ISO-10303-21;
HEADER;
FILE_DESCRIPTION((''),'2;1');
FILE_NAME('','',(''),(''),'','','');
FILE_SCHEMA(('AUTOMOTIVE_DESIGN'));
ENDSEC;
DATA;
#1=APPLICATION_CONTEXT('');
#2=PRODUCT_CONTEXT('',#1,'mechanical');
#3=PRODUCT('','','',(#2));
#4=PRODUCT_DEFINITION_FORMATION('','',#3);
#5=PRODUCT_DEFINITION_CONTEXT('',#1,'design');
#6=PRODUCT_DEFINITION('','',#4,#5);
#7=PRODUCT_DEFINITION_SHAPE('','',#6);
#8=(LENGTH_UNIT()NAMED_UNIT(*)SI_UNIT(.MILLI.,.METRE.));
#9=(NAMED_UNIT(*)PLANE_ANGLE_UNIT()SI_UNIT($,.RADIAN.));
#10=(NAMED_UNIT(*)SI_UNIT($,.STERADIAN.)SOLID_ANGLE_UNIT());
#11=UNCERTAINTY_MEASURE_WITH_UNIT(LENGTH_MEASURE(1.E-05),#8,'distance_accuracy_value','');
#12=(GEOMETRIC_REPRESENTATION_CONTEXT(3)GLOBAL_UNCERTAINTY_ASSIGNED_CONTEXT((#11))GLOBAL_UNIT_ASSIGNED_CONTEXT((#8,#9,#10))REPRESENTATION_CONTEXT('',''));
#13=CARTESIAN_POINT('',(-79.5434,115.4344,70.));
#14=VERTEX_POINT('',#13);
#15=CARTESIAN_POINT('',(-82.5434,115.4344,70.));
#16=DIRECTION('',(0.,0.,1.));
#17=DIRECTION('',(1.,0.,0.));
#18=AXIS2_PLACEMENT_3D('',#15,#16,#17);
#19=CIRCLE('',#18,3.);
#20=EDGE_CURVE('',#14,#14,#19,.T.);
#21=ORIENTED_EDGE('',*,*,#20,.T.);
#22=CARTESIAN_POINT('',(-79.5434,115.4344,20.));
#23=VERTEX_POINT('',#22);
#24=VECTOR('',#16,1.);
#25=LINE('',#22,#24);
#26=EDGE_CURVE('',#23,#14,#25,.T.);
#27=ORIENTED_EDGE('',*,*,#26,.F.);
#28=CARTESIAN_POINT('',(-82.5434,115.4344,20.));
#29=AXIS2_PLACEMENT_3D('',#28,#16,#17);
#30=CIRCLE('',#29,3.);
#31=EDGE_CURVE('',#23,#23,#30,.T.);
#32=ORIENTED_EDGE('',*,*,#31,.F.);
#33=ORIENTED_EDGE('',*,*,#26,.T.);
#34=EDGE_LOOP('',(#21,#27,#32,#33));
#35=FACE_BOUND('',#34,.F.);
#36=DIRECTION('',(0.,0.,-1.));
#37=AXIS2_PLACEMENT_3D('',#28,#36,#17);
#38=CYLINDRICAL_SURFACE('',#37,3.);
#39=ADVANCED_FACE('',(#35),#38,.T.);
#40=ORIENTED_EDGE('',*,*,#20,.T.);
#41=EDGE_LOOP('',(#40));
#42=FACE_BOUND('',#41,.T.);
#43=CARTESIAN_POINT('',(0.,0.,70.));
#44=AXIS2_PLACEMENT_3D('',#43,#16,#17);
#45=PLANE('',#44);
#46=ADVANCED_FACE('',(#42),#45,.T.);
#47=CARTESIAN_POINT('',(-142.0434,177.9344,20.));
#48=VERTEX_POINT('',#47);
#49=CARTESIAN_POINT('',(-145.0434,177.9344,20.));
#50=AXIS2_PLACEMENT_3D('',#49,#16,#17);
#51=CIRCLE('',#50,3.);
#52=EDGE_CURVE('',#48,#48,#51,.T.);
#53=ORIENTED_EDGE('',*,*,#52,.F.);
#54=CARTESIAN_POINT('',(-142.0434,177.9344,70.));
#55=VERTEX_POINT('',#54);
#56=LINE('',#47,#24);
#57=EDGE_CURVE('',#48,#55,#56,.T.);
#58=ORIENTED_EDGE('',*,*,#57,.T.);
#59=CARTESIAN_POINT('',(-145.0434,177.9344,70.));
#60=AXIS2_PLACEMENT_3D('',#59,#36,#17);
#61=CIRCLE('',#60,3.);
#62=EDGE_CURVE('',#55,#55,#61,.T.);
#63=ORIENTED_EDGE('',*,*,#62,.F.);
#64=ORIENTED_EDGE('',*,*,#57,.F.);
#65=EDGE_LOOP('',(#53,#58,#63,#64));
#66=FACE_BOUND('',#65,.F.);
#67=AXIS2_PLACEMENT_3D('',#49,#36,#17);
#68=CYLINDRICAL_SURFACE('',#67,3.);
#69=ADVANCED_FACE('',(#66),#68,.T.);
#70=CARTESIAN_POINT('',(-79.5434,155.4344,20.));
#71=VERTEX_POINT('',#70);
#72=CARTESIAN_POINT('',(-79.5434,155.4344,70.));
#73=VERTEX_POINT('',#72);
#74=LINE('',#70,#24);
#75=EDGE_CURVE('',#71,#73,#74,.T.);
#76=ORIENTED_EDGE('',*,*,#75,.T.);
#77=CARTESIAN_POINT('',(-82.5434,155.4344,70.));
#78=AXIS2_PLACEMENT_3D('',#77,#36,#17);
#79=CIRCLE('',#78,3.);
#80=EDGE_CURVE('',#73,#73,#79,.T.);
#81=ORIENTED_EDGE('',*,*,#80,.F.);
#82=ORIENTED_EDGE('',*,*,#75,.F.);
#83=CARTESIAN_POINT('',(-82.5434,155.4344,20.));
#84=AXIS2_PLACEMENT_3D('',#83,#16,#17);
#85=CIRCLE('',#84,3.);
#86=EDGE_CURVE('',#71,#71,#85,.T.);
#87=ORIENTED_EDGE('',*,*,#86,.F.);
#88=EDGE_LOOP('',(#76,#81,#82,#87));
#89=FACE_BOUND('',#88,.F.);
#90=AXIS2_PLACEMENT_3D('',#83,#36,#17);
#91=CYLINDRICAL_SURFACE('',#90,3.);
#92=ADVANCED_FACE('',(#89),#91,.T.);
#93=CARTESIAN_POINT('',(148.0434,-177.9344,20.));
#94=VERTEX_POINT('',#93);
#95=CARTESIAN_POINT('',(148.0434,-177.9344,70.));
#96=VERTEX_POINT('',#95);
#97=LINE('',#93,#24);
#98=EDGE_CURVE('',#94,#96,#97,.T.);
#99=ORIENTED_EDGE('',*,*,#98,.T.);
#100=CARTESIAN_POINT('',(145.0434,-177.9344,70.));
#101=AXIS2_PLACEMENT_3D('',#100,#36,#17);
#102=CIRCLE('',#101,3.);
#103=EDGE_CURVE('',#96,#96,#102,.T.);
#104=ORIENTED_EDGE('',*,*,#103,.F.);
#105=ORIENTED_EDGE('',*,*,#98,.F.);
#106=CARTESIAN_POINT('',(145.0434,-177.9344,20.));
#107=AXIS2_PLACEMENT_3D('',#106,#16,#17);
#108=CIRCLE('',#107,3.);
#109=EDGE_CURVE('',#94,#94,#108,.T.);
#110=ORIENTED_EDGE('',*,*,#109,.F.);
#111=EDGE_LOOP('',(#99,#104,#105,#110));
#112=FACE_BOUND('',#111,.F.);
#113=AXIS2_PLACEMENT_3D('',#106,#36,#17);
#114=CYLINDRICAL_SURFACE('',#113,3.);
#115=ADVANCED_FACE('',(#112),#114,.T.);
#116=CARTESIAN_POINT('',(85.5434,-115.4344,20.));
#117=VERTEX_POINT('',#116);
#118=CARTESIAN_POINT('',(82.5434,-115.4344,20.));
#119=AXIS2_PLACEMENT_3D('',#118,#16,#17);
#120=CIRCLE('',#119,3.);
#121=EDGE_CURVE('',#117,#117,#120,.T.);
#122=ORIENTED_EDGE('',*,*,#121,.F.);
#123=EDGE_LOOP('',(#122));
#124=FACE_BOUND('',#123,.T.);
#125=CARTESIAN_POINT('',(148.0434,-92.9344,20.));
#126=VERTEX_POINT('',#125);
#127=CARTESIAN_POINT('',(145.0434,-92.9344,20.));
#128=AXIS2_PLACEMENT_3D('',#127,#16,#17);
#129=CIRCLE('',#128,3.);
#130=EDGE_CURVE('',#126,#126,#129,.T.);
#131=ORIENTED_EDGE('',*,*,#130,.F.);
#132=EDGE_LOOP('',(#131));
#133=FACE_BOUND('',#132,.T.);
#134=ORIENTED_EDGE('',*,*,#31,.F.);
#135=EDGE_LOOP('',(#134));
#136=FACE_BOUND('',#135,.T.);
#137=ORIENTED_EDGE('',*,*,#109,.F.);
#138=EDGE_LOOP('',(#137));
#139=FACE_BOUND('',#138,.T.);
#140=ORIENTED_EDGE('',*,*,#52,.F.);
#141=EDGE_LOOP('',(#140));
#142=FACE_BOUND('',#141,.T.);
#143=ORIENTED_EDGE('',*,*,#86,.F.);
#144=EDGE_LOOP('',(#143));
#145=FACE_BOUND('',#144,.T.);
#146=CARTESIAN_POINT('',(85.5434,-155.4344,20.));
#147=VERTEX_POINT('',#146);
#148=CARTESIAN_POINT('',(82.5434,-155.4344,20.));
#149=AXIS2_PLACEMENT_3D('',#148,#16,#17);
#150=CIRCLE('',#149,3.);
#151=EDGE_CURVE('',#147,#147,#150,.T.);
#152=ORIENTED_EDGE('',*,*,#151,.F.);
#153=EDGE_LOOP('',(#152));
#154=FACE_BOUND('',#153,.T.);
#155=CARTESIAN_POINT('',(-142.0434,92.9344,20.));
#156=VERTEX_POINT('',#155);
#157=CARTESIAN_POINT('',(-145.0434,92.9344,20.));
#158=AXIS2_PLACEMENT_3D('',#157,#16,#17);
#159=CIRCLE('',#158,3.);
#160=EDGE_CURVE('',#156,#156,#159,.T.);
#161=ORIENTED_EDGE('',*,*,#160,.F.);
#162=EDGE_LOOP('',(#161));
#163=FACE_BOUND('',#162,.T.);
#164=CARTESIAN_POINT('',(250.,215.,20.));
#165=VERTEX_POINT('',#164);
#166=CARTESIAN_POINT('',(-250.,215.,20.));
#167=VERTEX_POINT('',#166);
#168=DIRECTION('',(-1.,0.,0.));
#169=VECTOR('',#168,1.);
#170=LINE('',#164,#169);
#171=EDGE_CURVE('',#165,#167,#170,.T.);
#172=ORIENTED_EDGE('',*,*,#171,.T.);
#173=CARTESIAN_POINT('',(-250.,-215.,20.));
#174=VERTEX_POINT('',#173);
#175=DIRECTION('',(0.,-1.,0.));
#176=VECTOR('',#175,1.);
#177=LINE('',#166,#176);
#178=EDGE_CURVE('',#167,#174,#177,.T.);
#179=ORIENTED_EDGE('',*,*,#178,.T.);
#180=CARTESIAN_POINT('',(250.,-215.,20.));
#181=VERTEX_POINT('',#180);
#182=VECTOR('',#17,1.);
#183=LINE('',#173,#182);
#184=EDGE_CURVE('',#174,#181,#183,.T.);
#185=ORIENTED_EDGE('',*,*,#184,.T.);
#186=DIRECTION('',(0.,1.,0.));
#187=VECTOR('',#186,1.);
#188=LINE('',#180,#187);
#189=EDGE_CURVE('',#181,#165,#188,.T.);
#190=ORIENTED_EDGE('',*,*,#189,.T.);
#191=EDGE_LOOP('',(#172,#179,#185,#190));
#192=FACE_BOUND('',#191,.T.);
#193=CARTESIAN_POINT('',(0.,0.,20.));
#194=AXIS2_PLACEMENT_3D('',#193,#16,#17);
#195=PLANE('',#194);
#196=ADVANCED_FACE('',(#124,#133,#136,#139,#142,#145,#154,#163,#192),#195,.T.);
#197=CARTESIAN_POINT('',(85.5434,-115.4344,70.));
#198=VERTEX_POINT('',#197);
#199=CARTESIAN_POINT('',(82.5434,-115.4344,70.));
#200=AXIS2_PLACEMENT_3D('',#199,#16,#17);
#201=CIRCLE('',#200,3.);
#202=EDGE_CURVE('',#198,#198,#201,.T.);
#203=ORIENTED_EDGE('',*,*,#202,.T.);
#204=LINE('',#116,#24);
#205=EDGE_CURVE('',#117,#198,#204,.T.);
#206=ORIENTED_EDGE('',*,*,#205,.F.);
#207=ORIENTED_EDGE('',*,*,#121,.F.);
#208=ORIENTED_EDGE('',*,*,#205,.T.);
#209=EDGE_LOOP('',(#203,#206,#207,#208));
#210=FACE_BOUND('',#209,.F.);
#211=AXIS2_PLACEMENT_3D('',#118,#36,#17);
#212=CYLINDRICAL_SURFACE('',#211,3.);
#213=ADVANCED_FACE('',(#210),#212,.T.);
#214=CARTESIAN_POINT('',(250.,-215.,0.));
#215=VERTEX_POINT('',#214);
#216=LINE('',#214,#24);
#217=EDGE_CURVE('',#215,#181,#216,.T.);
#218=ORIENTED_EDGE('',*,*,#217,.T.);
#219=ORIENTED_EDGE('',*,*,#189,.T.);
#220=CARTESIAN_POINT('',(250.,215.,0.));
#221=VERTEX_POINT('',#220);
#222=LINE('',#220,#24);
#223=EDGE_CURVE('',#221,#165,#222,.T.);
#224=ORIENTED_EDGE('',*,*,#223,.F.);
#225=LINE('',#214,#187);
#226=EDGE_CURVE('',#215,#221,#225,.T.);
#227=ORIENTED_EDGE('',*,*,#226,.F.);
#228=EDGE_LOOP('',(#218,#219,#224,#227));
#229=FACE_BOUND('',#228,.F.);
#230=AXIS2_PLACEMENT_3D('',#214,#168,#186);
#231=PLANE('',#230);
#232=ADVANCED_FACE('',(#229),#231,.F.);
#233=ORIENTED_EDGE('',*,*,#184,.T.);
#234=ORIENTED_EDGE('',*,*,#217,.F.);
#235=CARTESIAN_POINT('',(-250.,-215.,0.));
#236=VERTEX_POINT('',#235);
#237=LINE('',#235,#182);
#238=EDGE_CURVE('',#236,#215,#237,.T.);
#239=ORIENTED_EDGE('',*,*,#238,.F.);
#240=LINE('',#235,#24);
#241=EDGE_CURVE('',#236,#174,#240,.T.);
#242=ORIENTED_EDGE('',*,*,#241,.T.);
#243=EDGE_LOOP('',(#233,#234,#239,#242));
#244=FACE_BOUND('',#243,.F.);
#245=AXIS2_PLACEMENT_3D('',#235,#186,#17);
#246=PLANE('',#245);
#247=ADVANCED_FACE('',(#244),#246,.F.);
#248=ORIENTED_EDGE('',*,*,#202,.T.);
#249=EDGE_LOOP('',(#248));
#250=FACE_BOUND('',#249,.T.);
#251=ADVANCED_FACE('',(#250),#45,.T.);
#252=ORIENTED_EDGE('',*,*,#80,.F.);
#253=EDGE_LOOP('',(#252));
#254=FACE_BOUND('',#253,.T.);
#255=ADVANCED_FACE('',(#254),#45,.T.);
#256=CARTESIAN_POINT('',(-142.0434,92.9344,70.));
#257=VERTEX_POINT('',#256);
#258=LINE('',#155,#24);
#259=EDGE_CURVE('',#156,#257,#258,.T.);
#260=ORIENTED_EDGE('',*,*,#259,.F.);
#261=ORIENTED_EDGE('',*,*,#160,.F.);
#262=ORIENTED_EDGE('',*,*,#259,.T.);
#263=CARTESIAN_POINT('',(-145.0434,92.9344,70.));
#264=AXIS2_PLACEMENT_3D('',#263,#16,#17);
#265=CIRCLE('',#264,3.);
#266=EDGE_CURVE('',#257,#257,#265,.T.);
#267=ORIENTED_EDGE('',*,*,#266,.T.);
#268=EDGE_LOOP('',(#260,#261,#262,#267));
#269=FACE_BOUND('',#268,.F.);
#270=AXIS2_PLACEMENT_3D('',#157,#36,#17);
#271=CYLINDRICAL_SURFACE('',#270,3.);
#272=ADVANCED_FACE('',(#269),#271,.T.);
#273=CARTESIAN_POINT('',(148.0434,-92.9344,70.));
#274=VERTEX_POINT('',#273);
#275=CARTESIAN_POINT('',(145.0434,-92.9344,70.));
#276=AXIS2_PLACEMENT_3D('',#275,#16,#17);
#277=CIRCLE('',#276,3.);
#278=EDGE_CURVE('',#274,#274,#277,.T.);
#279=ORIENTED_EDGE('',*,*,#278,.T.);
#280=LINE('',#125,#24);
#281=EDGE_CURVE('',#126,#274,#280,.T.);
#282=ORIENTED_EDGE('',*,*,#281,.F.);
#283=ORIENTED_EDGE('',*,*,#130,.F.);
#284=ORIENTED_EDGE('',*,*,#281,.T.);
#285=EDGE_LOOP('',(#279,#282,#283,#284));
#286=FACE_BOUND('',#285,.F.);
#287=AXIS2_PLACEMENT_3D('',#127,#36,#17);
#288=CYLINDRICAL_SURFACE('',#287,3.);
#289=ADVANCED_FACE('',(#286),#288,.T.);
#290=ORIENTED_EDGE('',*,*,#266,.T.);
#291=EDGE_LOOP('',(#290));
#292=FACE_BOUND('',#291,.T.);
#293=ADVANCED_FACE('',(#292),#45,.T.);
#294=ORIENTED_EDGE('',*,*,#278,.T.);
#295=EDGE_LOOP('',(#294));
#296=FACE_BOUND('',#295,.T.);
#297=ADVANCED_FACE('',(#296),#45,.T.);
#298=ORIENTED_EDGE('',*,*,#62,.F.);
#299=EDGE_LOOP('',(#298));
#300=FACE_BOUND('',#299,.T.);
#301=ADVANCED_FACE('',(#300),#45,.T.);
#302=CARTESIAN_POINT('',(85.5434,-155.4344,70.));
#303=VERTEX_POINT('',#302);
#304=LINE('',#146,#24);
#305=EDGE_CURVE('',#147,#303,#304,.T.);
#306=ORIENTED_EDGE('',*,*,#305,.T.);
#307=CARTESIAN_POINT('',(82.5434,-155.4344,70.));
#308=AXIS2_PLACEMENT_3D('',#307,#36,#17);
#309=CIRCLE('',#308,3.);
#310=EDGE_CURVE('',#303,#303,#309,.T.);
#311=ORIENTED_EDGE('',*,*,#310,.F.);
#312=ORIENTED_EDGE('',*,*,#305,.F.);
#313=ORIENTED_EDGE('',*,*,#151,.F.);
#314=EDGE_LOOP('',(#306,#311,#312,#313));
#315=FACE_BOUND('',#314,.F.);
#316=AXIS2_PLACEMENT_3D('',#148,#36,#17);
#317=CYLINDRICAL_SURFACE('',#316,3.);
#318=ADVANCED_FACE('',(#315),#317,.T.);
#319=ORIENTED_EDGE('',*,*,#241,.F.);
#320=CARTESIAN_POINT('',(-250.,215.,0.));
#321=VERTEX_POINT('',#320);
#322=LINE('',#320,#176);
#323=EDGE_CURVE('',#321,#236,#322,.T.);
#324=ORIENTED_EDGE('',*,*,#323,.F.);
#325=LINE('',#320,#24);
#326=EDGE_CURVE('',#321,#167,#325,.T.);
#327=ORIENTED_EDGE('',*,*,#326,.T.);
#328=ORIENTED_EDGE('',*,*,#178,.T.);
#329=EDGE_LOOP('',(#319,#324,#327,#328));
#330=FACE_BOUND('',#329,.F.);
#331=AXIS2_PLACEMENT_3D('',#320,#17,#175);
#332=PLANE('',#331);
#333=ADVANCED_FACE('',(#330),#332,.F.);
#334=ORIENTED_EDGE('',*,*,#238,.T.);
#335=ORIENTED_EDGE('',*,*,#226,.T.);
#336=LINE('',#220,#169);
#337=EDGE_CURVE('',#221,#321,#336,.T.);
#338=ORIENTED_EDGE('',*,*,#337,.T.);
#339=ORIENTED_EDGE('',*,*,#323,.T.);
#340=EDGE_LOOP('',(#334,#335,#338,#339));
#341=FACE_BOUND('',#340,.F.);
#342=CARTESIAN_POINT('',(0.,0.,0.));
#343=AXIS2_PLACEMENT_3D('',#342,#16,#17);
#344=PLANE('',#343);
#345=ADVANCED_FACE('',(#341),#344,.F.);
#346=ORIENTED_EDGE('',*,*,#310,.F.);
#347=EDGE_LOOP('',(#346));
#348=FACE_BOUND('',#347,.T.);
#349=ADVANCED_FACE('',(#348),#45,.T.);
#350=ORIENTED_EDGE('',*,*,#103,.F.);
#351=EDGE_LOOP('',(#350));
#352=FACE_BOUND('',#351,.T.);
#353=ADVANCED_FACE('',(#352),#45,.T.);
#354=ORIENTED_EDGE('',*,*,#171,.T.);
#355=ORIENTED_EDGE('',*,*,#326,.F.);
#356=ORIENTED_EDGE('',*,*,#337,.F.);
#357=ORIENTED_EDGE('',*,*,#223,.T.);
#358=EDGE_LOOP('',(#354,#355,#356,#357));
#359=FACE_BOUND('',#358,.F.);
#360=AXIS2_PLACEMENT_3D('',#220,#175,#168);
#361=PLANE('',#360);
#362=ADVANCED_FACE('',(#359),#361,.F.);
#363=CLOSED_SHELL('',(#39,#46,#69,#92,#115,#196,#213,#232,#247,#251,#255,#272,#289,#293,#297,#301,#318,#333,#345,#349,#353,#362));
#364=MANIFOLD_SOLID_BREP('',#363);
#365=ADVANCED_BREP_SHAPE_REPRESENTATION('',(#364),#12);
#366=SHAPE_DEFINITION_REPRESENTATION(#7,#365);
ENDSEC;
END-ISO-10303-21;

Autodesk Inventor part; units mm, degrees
ref_plane "YZ Plane" through (0, 0, 0) normal (1, 0, 0) x (0, 1, 0)
ref_plane "XZ Plane" through (0, 0, 0) normal (0, 1, 0) x (-1, 0, 0)
ref_plane "XY Plane" through (0, 0, 0) normal (0, 0, 1) x (1, 0, 0)
sketch "Boceto1" plane through (0, 0, 0) normal (0, 0, 1) x (1, 0, 0)
  line L0 (-250, -215) -> (250, -215)
  line L1 (250, -215) -> (250, 215)
  line L2 (250, 215) -> (-250, 215)
  line L3 (-250, 215) -> (-250, -215)
  line L4 (-250, -215) -> (250, 215) construction
  line L5 (250, -215) -> (-250, 215) construction
  point P0 (0, 0)
  dimension "d0" = 500
  dimension "d1" = 430
extrude "Extrusión1" add sketch "Boceto1" along normal blind 20
sketch "Boceto7" plane through (0, 0, 20) normal (0, 0, 1) x (1, 0, 0)
  line L0 (-135.0434, 135.4344) -> (-155.0434, 135.4344)
  line L1 (-155.0434, 170.4344) -> (-155.0434, 100.4344)
  line L2 (-145.0434, 135.4344) -> (-145.0434, 185.4344)
  line L3 (-70.0434, 185.4344) -> (-200.0434, 185.4344)
  line L4 (-145.0434, 170.4344) -> (-145.0434, 185.4344)
  line L5 (-145.0434, 185.4344) -> (-145.0434, 177.9344)
  line L6 (-145.0434, 135.4344) -> (-70.0434, 135.4344)
  line L7 (-70.0434, 85.4344) -> (-70.0434, 185.4344)
  line L8 (-95.0434, 170.4344) -> (-95.0434, 100.4344)
  line L9 (-95.0434, 135.4344) -> (-70.0434, 135.4344)
  line L10 (-82.5434, 135.4344) -> (-82.5434, 155.4344)
  circle A0 centre (-145.0434, 177.9344) radius 3
  circle A1 centre (-82.5434, 155.4344) radius 3
  circle A2 centre (-145.0434, 92.9344) radius 3
  circle A3 centre (-82.5434, 115.4344) radius 3
  line L11 (-250, 215) -> (-250, -215) projected
  line L12 (-250, 215) -> (-200, 215)
  line L13 (-200, 215) -> (-200, 185)
  line L14 (-250, 0) -> (0, 0)
  line L15 (250, -215) -> (-250, -215)
  line L16 (135.0434, -135.4344) -> (155.0434, -135.4344)
  line L17 (155.0434, -170.4344) -> (155.0434, -100.4344)
  line L18 (145.0434, -135.4344) -> (70.0434, -135.4344)
  line L19 (-250, -215) -> (250, -215)
  line L20 (70.0434, -185.4344) -> (200.0434, -185.4344)
  line L21 (145.0434, -185.4344) -> (145.0434, -177.9344)
  line L22 (145.0434, -170.4344) -> (145.0434, -185.4344)
  circle A4 centre (145.0434, -177.9344) radius 3
  circle A5 centre (145.0434, -92.9344) radius 3
  line L23 (200, -215) -> (200, -185)
  line L24 (145.0434, -135.4344) -> (145.0434, -185.4344)
  line L25 (250, -215) -> (200, -215)
  line L26 (95.0434, -170.4344) -> (95.0434, -100.4344)
  line L27 (70.0434, -85.4344) -> (70.0434, -185.4344)
  circle A6 centre (82.5434, -115.4344) radius 3
  line L28 (82.5434, -135.4344) -> (82.5434, -155.4344)
  circle A7 centre (82.5434, -155.4344) radius 3
  line L29 (95.0434, -135.4344) -> (70.0434, -135.4344)
  point P0 (250, 215)
  dimension "d22" = 20
  dimension "d23" = 6
  dimension "d24" = 6
  dimension "d25" = 50
  dimension "d26" = 30
extrude "Extrusión7" add sketch "Boceto7" along normal blind 50 contours A1 | A0 L2 | L2 A0 | A2 | A3
extrude "Extrusión8" add sketch "Boceto7" along normal blind 50 contours A7 | A4 L22 L21 | L21 L22 A4 | A5 | A6
properties part number "Placa"
